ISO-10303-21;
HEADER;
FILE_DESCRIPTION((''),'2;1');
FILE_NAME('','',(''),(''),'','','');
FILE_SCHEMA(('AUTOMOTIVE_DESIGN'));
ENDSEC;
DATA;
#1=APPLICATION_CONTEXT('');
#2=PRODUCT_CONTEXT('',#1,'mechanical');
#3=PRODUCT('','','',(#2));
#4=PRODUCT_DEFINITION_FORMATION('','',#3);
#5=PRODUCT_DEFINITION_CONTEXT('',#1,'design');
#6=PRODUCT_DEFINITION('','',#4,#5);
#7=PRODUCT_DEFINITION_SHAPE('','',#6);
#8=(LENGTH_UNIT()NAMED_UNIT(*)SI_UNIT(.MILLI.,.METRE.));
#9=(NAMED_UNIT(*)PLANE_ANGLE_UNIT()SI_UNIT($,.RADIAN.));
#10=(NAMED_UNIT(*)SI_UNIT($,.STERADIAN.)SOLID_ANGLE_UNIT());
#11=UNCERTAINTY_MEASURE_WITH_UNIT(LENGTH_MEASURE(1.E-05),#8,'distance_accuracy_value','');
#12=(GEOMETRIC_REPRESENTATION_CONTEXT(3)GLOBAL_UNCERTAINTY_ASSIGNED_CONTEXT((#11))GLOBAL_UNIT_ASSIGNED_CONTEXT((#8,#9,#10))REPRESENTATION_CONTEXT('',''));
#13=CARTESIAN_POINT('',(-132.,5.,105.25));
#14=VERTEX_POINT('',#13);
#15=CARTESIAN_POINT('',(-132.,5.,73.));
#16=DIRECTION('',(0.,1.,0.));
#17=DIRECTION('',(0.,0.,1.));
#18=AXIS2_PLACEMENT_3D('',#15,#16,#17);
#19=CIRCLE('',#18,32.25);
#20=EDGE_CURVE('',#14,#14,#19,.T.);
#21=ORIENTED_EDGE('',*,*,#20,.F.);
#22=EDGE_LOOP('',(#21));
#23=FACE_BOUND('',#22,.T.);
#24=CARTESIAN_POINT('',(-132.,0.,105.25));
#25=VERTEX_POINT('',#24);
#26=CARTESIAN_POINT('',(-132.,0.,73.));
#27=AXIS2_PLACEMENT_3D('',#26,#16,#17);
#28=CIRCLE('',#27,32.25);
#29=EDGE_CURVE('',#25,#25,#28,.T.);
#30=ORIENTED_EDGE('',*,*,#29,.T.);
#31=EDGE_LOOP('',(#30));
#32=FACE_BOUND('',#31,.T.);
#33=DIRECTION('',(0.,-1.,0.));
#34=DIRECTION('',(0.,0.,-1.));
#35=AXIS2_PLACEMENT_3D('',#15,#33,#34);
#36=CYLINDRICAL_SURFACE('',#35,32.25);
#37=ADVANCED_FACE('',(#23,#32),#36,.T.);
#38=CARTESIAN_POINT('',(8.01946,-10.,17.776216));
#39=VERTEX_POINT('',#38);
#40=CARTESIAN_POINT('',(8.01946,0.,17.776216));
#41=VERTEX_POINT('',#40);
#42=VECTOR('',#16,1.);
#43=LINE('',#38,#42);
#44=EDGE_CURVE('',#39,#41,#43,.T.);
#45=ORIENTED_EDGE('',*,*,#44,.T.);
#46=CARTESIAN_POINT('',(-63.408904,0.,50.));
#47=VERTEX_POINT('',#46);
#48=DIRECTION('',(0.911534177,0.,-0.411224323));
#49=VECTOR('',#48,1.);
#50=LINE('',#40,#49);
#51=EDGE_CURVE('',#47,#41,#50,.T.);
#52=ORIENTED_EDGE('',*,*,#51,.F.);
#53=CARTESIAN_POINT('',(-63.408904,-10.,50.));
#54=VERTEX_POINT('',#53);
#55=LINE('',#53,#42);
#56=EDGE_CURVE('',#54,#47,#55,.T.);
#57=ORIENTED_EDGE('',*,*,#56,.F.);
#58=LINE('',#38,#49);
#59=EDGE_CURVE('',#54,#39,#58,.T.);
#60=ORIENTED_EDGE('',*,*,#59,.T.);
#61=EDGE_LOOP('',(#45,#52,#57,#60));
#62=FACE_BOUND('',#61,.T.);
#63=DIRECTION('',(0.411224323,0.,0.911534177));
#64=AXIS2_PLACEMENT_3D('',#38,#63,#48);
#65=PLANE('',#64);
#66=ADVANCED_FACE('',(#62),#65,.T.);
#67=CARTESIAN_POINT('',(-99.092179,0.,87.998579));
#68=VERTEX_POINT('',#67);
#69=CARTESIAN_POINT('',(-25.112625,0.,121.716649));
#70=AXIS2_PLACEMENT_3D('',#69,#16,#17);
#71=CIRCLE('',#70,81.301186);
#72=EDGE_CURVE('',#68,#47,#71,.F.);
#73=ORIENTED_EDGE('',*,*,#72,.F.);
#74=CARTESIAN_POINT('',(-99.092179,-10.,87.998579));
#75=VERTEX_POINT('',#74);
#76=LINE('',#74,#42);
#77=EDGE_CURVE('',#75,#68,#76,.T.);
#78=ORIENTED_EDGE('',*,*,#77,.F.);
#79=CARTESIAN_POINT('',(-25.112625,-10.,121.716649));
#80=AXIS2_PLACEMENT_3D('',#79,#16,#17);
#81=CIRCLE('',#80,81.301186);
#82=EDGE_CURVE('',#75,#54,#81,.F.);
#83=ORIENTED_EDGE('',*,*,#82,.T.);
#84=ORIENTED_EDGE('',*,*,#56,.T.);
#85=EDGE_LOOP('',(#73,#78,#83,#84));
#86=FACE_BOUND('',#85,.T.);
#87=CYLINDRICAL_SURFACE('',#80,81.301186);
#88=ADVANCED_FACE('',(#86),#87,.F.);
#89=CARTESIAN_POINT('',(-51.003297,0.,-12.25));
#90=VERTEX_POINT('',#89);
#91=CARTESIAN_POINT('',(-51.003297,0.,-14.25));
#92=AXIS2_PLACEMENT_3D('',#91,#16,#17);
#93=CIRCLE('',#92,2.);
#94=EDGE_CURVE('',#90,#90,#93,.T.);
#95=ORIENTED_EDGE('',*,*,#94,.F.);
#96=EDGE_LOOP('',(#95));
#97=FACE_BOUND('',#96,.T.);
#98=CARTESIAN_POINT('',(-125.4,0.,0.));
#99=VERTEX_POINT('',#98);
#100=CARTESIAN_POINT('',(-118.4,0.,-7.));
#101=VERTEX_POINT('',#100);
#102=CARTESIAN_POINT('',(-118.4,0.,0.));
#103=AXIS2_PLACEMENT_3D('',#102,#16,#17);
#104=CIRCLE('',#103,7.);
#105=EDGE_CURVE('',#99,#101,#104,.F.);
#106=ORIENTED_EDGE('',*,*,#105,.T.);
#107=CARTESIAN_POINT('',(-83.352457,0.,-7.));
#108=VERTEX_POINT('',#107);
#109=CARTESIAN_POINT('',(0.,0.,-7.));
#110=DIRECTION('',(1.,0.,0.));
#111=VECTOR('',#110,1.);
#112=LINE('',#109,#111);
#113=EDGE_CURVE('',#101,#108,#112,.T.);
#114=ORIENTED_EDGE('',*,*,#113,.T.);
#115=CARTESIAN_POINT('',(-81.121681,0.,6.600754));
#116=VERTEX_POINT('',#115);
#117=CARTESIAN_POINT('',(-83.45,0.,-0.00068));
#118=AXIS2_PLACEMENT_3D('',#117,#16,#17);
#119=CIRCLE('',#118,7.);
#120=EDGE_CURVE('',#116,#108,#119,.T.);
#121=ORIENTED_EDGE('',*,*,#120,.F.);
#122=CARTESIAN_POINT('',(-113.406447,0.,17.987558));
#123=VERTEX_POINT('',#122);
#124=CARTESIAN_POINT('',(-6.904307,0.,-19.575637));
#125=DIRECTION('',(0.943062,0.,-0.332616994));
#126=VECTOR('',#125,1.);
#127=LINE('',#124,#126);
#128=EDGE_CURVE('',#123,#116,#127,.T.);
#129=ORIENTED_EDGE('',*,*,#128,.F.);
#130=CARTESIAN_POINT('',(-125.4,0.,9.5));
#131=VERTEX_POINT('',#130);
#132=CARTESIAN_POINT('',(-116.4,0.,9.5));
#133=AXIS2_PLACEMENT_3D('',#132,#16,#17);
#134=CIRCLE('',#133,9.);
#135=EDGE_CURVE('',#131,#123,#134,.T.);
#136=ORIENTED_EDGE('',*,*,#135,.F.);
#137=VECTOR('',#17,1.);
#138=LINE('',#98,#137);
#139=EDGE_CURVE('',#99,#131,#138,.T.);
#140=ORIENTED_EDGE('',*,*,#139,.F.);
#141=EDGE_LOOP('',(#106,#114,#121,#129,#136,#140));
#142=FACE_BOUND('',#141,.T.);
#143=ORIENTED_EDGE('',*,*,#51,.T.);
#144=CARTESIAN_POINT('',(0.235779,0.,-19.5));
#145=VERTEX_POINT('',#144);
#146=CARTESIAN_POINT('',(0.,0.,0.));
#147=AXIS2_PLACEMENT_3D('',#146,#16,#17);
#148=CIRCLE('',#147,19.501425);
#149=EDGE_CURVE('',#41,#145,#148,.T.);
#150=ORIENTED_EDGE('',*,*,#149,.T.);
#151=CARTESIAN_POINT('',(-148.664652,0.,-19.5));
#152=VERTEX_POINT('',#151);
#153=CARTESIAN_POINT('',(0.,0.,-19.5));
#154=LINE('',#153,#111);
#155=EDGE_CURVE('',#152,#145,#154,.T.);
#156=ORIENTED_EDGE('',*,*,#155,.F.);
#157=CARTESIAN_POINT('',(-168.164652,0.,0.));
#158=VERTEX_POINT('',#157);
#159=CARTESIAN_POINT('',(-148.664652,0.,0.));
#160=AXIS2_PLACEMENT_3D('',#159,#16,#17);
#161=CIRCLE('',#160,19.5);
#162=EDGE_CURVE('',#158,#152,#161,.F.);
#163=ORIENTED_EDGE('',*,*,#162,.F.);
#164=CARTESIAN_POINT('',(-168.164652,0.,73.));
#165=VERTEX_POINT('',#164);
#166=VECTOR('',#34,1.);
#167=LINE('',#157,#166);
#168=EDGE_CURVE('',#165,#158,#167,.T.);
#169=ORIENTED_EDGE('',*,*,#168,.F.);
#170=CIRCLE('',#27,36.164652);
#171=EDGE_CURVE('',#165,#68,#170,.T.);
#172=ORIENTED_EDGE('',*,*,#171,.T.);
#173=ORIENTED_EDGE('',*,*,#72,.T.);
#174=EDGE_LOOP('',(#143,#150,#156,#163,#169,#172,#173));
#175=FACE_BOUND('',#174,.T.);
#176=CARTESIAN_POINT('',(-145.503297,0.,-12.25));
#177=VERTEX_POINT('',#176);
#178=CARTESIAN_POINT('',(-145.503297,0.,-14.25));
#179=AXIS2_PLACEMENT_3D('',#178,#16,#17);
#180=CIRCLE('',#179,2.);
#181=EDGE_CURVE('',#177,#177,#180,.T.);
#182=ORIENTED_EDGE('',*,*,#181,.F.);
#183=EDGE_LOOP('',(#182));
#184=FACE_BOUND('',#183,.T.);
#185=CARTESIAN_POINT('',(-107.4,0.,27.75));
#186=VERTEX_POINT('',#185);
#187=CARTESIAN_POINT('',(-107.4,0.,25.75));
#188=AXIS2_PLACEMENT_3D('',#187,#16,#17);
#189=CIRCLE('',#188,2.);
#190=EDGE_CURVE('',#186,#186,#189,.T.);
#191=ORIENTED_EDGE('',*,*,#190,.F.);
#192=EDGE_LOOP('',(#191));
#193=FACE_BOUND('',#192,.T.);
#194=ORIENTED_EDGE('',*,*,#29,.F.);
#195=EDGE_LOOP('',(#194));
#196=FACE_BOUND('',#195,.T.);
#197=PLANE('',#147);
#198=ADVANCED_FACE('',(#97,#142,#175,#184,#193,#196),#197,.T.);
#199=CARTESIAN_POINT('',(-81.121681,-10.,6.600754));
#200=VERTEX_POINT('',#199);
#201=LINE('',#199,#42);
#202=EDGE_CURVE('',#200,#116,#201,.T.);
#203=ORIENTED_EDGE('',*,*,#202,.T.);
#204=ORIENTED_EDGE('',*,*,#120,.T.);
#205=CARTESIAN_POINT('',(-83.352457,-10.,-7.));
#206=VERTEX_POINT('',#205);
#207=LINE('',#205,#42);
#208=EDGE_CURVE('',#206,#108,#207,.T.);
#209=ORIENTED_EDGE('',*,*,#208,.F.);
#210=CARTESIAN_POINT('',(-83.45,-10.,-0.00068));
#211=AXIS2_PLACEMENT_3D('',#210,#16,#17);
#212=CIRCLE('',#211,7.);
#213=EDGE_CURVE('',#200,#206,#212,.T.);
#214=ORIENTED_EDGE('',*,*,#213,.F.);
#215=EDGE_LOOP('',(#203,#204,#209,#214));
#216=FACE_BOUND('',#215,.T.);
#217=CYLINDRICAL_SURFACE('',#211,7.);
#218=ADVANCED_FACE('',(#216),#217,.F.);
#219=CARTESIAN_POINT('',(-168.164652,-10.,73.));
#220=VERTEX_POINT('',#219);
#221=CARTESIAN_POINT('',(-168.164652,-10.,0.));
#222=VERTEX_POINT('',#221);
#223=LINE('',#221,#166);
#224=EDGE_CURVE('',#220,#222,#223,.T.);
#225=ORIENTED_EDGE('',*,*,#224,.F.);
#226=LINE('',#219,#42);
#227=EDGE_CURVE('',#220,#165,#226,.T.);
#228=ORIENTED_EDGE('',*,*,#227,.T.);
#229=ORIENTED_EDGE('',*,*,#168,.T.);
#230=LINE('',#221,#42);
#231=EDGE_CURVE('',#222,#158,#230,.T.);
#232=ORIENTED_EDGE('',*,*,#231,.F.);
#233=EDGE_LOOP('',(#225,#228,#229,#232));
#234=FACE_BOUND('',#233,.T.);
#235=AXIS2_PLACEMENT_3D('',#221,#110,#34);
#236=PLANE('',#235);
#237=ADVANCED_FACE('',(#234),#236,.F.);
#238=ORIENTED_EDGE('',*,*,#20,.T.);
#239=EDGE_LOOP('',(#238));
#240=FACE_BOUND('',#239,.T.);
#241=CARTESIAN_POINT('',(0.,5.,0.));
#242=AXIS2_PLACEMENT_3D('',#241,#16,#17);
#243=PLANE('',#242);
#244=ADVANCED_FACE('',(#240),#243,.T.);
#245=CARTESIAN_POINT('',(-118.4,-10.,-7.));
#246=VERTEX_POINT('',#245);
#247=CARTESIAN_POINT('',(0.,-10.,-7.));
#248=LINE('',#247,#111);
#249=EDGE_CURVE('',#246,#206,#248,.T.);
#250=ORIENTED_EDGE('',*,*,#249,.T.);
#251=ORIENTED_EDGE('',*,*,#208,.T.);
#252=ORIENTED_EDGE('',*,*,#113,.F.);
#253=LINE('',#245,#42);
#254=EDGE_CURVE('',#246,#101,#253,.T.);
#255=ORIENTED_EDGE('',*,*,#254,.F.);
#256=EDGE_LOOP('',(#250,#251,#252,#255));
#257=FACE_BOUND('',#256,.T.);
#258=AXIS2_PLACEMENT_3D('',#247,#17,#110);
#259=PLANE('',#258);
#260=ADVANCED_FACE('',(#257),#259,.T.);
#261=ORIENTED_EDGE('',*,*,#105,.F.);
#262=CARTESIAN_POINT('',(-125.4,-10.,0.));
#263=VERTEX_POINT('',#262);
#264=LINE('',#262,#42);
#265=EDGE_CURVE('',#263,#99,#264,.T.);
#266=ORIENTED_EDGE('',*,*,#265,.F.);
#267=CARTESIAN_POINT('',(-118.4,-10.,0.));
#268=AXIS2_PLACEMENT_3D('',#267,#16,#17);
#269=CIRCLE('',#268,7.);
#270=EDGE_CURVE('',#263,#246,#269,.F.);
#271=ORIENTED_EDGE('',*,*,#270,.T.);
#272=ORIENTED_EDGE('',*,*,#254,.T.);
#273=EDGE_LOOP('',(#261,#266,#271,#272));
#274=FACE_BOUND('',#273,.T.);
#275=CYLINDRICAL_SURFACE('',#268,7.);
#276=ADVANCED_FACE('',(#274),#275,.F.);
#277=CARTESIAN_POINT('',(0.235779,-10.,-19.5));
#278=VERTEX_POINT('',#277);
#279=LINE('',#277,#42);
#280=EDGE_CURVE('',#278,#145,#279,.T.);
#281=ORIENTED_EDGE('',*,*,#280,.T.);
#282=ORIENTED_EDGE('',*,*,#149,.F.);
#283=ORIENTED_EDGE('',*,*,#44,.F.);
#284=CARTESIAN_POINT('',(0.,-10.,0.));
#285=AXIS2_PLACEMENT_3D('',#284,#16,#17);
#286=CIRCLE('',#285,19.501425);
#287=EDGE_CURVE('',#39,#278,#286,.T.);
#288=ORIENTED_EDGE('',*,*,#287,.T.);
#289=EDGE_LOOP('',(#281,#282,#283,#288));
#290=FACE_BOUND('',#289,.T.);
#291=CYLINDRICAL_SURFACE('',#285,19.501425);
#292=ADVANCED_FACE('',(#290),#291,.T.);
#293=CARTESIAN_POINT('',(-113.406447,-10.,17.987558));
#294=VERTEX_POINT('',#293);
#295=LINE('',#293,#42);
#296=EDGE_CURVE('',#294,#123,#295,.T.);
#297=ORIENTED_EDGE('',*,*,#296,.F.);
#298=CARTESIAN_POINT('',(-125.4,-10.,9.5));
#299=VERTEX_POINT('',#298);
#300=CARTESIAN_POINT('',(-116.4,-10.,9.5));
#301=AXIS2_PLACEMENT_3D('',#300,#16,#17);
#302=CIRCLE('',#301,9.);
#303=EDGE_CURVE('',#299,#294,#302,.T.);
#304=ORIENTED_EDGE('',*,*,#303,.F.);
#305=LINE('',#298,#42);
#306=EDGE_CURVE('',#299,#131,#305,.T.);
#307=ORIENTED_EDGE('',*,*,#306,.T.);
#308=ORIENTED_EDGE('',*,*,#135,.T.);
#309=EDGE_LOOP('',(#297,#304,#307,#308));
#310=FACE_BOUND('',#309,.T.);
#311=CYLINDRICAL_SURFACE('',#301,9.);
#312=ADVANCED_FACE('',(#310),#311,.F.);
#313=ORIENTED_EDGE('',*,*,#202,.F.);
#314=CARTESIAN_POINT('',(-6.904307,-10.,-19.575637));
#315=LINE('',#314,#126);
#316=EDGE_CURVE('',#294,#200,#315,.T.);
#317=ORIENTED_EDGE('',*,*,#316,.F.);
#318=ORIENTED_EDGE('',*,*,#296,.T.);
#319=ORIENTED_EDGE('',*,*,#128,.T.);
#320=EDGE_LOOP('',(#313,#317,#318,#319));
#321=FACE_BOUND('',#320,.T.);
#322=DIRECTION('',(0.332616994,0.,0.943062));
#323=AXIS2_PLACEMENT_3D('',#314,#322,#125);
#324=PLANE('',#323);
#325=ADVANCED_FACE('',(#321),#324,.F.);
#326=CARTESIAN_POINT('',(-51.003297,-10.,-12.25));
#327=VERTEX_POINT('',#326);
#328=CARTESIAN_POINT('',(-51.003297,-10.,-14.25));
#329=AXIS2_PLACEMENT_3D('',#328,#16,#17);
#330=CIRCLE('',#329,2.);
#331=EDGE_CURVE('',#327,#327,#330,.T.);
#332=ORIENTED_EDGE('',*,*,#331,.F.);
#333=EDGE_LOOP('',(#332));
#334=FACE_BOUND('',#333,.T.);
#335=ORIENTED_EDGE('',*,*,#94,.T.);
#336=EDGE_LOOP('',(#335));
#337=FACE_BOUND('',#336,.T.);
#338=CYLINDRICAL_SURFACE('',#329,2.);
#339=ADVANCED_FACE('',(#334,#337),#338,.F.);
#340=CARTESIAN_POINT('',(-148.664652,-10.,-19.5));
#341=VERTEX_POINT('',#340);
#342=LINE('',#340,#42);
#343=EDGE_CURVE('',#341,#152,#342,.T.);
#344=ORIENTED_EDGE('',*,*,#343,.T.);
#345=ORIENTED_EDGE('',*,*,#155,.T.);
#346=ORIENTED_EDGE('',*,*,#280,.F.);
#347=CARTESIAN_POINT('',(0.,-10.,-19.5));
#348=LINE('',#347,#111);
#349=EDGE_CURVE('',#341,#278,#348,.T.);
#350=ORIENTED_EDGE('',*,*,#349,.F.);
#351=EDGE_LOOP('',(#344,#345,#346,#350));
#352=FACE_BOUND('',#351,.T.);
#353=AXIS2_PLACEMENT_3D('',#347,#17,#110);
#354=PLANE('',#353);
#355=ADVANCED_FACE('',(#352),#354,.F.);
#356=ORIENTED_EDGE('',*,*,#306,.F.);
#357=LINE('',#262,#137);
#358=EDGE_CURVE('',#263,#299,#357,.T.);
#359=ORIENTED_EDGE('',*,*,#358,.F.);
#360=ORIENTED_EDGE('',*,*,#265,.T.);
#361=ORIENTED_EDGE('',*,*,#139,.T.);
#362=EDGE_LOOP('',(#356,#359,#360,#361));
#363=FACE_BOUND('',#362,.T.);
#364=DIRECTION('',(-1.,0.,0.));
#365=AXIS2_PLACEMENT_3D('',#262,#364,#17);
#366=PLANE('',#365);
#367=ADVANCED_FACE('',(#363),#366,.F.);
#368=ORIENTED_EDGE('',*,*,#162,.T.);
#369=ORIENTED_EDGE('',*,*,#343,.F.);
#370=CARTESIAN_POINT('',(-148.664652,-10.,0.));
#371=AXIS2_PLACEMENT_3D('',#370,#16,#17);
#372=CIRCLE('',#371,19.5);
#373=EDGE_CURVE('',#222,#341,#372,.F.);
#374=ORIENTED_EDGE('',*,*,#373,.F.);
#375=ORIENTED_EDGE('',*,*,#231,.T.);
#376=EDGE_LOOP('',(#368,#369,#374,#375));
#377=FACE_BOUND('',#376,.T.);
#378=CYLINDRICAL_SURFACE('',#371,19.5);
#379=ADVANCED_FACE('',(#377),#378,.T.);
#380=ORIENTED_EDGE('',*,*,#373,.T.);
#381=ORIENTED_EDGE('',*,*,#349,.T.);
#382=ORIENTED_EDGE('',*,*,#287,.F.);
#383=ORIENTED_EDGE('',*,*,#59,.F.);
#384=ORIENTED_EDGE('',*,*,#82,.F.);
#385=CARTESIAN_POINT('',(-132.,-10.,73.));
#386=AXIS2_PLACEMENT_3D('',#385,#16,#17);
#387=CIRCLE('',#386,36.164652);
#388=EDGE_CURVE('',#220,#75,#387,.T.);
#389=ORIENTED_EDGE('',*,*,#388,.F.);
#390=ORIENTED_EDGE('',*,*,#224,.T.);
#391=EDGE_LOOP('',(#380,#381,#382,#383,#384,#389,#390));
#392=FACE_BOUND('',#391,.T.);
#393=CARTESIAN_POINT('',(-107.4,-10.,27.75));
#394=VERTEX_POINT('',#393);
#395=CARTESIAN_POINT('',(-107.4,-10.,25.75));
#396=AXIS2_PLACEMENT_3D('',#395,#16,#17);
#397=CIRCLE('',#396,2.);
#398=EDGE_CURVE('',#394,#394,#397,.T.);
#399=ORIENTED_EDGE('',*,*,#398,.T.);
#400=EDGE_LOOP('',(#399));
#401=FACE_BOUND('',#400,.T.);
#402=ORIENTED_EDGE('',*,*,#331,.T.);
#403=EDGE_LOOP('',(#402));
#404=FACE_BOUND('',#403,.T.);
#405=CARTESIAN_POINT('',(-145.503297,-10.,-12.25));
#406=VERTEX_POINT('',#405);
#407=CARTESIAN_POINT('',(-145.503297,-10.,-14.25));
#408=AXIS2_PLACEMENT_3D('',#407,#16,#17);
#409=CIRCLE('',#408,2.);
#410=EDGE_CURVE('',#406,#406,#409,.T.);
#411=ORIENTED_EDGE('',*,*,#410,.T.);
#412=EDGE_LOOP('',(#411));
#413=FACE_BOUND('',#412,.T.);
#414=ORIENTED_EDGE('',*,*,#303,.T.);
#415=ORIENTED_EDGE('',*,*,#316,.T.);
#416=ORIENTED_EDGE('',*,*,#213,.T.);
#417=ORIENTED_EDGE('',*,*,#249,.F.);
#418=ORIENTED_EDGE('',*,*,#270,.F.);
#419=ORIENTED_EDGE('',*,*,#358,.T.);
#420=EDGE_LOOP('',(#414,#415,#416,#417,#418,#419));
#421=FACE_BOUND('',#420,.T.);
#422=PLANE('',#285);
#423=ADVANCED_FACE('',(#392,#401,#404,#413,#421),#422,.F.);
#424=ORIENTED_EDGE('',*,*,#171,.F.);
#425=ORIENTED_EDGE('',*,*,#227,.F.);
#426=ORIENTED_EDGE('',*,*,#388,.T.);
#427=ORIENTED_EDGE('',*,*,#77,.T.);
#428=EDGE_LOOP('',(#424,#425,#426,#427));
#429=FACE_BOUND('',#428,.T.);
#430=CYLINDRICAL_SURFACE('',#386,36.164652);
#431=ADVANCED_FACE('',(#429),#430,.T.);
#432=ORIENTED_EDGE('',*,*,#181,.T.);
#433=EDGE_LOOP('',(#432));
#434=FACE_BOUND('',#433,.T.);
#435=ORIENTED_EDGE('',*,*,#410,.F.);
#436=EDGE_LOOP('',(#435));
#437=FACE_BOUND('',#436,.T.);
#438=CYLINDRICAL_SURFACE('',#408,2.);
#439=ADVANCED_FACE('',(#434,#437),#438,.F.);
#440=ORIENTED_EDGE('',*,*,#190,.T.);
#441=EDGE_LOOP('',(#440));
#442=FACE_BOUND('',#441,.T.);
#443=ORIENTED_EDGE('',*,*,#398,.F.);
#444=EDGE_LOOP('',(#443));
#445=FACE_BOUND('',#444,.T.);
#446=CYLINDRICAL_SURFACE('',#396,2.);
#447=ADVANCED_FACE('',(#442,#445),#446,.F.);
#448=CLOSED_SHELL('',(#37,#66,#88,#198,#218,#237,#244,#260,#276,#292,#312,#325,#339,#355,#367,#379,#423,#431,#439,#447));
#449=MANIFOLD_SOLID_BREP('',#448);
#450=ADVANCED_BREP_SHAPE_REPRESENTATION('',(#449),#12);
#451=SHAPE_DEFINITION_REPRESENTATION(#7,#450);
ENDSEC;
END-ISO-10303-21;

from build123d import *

# Parameters (mm, degrees)
SKETCH2_R           = 2
BOSS_EXTRUDE1_DEPTH = 10
SKETCH2_3_R         = 32.25
BOSS_EXTRUDE2_DEPTH = 5


with BuildPart() as part:
    # Sketch2 → Boss-Extrude1 (new body)
    with BuildSketch(Plane(origin=(0, 0, 0), x_dir=(1, 0, 0), z_dir=(0, 1, 0))):
        with BuildLine():
            Line((-168.164651686, 0), (-168.164651686, -73))
            ThreePointArc((-168.164651686, -73), (-139.674052468, -108.34106606), (-99.092179421, -87.998579142))
            ThreePointArc((-99.092179421, -87.998579142), (-84.378455589, -66.061963443), (-63.40890367, -50))
            Line((-63.40890367, -50), (8.019460447, -17.776215731))
            ThreePointArc((8.019460447, -17.776215731), (19.089691145, 3.986136419), (0.23577867, 19.5))
            Line((0.23577867, 19.5), (-148.664651686, 19.5))
            ThreePointArc((-148.664651686, 19.5), (-162.453233919, 13.788582233), (-168.164651686, 0))
        make_face()
        with Locations((-107.4, -25.75)):
            Circle(SKETCH2_R, mode=Mode.SUBTRACT)
        with Locations((-145.503297495, 14.25)):
            Circle(SKETCH2_R, mode=Mode.SUBTRACT)
        with BuildLine():
            Line((-125.4, -9.5), (-125.4, 0))
            ThreePointArc((-125.4, 0), (-123.349747468, 4.949747468), (-118.4, 7))
            Line((-118.4, 7), (-83.352457382, 7))
            ThreePointArc((-83.352457382, 7), (-76.542299164, 1.133670887), (-81.121681044, -6.600754354))
            Line((-81.121681044, -6.600754354), (-113.406447056, -17.987557998))
            ThreePointArc((-113.406447056, -17.987557998), (-121.59894333, -16.846494963), (-125.4, -9.5))
        make_face(mode=Mode.SUBTRACT)
        with Locations((-51.003297495, 14.25)):
            Circle(SKETCH2_R, mode=Mode.SUBTRACT)
    extrude(amount=-BOSS_EXTRUDE1_DEPTH)

    # Sketch2<3> → Boss-Extrude2 (add)
    with BuildSketch(Plane(origin=(0, 0, 0), x_dir=(1, 0, 0), z_dir=(0, 1, 0))):
        with Locations((-132, -73)):
            Circle(SKETCH2_3_R)
    extrude(amount=BOSS_EXTRUDE2_DEPTH)


solid = part.part
